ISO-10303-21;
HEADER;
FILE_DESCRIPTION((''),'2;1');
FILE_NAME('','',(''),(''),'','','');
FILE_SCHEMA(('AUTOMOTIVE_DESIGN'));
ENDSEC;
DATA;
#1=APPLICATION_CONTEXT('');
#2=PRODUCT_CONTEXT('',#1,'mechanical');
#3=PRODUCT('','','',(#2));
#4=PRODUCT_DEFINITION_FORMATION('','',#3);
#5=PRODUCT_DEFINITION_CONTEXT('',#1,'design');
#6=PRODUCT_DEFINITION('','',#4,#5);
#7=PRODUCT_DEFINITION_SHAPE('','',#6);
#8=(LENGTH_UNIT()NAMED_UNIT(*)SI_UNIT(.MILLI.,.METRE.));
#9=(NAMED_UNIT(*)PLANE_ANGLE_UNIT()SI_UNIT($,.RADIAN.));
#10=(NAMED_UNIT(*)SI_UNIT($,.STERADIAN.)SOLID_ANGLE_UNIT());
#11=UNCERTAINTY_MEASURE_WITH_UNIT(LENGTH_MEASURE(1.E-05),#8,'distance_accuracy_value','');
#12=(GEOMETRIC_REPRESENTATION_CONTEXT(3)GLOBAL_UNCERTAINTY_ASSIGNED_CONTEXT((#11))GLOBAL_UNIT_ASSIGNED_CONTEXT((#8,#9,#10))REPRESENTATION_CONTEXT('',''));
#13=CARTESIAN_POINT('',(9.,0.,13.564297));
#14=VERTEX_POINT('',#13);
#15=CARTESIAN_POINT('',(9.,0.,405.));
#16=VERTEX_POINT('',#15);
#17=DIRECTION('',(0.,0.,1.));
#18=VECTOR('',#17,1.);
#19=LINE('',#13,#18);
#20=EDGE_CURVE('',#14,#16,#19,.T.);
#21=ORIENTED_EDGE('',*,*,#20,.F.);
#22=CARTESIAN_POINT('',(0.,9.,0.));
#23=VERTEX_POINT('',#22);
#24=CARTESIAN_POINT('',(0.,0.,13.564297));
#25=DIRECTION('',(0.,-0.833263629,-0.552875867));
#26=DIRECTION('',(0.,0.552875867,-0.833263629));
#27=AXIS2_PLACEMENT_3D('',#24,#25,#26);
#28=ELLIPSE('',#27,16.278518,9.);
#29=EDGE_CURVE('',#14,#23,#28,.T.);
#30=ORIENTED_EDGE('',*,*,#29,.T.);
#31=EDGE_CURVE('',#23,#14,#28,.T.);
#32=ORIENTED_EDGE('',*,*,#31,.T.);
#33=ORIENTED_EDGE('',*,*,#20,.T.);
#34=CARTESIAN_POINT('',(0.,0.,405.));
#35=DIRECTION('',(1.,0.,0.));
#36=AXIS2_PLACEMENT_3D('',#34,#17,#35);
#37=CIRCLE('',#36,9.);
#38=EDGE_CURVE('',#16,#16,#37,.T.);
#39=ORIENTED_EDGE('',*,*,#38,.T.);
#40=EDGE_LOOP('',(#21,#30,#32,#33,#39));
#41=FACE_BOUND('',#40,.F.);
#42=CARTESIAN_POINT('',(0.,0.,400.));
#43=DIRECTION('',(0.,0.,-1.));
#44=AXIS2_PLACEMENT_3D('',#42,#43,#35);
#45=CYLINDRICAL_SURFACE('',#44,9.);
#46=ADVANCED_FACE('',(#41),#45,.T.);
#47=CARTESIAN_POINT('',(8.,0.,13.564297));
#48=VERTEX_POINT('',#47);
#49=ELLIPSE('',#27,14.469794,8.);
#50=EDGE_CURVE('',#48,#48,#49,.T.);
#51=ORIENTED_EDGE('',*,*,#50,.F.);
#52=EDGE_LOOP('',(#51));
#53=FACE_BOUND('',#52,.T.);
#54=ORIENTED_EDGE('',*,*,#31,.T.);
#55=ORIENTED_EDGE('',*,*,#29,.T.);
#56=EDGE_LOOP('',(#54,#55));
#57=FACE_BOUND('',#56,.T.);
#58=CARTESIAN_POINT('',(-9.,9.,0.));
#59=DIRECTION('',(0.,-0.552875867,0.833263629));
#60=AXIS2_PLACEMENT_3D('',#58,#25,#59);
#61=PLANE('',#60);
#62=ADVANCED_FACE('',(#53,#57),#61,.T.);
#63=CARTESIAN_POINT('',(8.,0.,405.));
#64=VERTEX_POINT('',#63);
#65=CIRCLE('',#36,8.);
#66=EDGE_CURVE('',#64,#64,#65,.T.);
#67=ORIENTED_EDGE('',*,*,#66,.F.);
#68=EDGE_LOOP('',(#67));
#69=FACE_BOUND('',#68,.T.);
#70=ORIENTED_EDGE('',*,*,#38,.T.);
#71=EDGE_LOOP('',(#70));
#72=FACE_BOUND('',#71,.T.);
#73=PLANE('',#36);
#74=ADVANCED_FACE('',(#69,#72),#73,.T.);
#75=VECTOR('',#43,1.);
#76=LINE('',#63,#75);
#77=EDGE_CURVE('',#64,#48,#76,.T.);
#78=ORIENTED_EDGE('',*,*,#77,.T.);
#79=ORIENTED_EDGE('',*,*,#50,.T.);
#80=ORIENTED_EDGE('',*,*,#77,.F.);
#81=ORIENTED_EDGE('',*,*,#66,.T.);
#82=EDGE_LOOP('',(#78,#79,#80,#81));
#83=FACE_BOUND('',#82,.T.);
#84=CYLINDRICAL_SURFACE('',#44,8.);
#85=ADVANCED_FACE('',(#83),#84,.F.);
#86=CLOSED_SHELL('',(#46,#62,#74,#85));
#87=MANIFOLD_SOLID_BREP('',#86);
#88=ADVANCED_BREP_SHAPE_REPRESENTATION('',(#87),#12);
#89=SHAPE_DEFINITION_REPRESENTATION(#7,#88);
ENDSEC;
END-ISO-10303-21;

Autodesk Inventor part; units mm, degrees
ref_plane "YZ Plane" through (0, 0, 0) normal (1, 0, 0) x (0, 1, 0)
ref_plane "XZ Plane" through (0, 0, 0) normal (0, 1, 0) x (-1, 0, 0)
sketch "Skizze1" plane through (0, 0, 0) normal (0, 0, 1) x (1, 0, 0)
  line L0 (-12.6, 0) -> (12.6, 0) construction
  line L1 (0, -12.6) -> (0, 12.6) construction
  circle A0 centre (0, 0) radius 9
  circle A1 centre (0, 0) radius 8
  line L2 (-9, 9) -> (9, 9)
  dimension "d0" = 18
  dimension "d1" = 16
extrude "Extrusion4" add sketch "Skizze1" along normal blind 400 contours A0 | A1
extrude "Extrusion5" cut sketch "Skizze1" along normal through all contours A1
ref_plane "Arbeitsebene4" through (-9, 9, 0) normal (0, -0.8333, -0.5529) x (1, 0, 0)
split "Trennen5" plane through (-9, 9, 0) removes the side toward (0, -0.8333, -0.5529)
sketch "Skizze5" plane through (0, 0, 400) normal (0, 0, 1) x (1, 0, 0)
  circle A0 centre (0, 0) radius 8
  circle A1 centre (0, 0) radius 9
  dimension "d17" = 16
  dimension "d18" = 18
extrude "Extrusion6" add sketch "Skizze5" along normal blind 5
properties part number "Schräges Rohr CF16"
